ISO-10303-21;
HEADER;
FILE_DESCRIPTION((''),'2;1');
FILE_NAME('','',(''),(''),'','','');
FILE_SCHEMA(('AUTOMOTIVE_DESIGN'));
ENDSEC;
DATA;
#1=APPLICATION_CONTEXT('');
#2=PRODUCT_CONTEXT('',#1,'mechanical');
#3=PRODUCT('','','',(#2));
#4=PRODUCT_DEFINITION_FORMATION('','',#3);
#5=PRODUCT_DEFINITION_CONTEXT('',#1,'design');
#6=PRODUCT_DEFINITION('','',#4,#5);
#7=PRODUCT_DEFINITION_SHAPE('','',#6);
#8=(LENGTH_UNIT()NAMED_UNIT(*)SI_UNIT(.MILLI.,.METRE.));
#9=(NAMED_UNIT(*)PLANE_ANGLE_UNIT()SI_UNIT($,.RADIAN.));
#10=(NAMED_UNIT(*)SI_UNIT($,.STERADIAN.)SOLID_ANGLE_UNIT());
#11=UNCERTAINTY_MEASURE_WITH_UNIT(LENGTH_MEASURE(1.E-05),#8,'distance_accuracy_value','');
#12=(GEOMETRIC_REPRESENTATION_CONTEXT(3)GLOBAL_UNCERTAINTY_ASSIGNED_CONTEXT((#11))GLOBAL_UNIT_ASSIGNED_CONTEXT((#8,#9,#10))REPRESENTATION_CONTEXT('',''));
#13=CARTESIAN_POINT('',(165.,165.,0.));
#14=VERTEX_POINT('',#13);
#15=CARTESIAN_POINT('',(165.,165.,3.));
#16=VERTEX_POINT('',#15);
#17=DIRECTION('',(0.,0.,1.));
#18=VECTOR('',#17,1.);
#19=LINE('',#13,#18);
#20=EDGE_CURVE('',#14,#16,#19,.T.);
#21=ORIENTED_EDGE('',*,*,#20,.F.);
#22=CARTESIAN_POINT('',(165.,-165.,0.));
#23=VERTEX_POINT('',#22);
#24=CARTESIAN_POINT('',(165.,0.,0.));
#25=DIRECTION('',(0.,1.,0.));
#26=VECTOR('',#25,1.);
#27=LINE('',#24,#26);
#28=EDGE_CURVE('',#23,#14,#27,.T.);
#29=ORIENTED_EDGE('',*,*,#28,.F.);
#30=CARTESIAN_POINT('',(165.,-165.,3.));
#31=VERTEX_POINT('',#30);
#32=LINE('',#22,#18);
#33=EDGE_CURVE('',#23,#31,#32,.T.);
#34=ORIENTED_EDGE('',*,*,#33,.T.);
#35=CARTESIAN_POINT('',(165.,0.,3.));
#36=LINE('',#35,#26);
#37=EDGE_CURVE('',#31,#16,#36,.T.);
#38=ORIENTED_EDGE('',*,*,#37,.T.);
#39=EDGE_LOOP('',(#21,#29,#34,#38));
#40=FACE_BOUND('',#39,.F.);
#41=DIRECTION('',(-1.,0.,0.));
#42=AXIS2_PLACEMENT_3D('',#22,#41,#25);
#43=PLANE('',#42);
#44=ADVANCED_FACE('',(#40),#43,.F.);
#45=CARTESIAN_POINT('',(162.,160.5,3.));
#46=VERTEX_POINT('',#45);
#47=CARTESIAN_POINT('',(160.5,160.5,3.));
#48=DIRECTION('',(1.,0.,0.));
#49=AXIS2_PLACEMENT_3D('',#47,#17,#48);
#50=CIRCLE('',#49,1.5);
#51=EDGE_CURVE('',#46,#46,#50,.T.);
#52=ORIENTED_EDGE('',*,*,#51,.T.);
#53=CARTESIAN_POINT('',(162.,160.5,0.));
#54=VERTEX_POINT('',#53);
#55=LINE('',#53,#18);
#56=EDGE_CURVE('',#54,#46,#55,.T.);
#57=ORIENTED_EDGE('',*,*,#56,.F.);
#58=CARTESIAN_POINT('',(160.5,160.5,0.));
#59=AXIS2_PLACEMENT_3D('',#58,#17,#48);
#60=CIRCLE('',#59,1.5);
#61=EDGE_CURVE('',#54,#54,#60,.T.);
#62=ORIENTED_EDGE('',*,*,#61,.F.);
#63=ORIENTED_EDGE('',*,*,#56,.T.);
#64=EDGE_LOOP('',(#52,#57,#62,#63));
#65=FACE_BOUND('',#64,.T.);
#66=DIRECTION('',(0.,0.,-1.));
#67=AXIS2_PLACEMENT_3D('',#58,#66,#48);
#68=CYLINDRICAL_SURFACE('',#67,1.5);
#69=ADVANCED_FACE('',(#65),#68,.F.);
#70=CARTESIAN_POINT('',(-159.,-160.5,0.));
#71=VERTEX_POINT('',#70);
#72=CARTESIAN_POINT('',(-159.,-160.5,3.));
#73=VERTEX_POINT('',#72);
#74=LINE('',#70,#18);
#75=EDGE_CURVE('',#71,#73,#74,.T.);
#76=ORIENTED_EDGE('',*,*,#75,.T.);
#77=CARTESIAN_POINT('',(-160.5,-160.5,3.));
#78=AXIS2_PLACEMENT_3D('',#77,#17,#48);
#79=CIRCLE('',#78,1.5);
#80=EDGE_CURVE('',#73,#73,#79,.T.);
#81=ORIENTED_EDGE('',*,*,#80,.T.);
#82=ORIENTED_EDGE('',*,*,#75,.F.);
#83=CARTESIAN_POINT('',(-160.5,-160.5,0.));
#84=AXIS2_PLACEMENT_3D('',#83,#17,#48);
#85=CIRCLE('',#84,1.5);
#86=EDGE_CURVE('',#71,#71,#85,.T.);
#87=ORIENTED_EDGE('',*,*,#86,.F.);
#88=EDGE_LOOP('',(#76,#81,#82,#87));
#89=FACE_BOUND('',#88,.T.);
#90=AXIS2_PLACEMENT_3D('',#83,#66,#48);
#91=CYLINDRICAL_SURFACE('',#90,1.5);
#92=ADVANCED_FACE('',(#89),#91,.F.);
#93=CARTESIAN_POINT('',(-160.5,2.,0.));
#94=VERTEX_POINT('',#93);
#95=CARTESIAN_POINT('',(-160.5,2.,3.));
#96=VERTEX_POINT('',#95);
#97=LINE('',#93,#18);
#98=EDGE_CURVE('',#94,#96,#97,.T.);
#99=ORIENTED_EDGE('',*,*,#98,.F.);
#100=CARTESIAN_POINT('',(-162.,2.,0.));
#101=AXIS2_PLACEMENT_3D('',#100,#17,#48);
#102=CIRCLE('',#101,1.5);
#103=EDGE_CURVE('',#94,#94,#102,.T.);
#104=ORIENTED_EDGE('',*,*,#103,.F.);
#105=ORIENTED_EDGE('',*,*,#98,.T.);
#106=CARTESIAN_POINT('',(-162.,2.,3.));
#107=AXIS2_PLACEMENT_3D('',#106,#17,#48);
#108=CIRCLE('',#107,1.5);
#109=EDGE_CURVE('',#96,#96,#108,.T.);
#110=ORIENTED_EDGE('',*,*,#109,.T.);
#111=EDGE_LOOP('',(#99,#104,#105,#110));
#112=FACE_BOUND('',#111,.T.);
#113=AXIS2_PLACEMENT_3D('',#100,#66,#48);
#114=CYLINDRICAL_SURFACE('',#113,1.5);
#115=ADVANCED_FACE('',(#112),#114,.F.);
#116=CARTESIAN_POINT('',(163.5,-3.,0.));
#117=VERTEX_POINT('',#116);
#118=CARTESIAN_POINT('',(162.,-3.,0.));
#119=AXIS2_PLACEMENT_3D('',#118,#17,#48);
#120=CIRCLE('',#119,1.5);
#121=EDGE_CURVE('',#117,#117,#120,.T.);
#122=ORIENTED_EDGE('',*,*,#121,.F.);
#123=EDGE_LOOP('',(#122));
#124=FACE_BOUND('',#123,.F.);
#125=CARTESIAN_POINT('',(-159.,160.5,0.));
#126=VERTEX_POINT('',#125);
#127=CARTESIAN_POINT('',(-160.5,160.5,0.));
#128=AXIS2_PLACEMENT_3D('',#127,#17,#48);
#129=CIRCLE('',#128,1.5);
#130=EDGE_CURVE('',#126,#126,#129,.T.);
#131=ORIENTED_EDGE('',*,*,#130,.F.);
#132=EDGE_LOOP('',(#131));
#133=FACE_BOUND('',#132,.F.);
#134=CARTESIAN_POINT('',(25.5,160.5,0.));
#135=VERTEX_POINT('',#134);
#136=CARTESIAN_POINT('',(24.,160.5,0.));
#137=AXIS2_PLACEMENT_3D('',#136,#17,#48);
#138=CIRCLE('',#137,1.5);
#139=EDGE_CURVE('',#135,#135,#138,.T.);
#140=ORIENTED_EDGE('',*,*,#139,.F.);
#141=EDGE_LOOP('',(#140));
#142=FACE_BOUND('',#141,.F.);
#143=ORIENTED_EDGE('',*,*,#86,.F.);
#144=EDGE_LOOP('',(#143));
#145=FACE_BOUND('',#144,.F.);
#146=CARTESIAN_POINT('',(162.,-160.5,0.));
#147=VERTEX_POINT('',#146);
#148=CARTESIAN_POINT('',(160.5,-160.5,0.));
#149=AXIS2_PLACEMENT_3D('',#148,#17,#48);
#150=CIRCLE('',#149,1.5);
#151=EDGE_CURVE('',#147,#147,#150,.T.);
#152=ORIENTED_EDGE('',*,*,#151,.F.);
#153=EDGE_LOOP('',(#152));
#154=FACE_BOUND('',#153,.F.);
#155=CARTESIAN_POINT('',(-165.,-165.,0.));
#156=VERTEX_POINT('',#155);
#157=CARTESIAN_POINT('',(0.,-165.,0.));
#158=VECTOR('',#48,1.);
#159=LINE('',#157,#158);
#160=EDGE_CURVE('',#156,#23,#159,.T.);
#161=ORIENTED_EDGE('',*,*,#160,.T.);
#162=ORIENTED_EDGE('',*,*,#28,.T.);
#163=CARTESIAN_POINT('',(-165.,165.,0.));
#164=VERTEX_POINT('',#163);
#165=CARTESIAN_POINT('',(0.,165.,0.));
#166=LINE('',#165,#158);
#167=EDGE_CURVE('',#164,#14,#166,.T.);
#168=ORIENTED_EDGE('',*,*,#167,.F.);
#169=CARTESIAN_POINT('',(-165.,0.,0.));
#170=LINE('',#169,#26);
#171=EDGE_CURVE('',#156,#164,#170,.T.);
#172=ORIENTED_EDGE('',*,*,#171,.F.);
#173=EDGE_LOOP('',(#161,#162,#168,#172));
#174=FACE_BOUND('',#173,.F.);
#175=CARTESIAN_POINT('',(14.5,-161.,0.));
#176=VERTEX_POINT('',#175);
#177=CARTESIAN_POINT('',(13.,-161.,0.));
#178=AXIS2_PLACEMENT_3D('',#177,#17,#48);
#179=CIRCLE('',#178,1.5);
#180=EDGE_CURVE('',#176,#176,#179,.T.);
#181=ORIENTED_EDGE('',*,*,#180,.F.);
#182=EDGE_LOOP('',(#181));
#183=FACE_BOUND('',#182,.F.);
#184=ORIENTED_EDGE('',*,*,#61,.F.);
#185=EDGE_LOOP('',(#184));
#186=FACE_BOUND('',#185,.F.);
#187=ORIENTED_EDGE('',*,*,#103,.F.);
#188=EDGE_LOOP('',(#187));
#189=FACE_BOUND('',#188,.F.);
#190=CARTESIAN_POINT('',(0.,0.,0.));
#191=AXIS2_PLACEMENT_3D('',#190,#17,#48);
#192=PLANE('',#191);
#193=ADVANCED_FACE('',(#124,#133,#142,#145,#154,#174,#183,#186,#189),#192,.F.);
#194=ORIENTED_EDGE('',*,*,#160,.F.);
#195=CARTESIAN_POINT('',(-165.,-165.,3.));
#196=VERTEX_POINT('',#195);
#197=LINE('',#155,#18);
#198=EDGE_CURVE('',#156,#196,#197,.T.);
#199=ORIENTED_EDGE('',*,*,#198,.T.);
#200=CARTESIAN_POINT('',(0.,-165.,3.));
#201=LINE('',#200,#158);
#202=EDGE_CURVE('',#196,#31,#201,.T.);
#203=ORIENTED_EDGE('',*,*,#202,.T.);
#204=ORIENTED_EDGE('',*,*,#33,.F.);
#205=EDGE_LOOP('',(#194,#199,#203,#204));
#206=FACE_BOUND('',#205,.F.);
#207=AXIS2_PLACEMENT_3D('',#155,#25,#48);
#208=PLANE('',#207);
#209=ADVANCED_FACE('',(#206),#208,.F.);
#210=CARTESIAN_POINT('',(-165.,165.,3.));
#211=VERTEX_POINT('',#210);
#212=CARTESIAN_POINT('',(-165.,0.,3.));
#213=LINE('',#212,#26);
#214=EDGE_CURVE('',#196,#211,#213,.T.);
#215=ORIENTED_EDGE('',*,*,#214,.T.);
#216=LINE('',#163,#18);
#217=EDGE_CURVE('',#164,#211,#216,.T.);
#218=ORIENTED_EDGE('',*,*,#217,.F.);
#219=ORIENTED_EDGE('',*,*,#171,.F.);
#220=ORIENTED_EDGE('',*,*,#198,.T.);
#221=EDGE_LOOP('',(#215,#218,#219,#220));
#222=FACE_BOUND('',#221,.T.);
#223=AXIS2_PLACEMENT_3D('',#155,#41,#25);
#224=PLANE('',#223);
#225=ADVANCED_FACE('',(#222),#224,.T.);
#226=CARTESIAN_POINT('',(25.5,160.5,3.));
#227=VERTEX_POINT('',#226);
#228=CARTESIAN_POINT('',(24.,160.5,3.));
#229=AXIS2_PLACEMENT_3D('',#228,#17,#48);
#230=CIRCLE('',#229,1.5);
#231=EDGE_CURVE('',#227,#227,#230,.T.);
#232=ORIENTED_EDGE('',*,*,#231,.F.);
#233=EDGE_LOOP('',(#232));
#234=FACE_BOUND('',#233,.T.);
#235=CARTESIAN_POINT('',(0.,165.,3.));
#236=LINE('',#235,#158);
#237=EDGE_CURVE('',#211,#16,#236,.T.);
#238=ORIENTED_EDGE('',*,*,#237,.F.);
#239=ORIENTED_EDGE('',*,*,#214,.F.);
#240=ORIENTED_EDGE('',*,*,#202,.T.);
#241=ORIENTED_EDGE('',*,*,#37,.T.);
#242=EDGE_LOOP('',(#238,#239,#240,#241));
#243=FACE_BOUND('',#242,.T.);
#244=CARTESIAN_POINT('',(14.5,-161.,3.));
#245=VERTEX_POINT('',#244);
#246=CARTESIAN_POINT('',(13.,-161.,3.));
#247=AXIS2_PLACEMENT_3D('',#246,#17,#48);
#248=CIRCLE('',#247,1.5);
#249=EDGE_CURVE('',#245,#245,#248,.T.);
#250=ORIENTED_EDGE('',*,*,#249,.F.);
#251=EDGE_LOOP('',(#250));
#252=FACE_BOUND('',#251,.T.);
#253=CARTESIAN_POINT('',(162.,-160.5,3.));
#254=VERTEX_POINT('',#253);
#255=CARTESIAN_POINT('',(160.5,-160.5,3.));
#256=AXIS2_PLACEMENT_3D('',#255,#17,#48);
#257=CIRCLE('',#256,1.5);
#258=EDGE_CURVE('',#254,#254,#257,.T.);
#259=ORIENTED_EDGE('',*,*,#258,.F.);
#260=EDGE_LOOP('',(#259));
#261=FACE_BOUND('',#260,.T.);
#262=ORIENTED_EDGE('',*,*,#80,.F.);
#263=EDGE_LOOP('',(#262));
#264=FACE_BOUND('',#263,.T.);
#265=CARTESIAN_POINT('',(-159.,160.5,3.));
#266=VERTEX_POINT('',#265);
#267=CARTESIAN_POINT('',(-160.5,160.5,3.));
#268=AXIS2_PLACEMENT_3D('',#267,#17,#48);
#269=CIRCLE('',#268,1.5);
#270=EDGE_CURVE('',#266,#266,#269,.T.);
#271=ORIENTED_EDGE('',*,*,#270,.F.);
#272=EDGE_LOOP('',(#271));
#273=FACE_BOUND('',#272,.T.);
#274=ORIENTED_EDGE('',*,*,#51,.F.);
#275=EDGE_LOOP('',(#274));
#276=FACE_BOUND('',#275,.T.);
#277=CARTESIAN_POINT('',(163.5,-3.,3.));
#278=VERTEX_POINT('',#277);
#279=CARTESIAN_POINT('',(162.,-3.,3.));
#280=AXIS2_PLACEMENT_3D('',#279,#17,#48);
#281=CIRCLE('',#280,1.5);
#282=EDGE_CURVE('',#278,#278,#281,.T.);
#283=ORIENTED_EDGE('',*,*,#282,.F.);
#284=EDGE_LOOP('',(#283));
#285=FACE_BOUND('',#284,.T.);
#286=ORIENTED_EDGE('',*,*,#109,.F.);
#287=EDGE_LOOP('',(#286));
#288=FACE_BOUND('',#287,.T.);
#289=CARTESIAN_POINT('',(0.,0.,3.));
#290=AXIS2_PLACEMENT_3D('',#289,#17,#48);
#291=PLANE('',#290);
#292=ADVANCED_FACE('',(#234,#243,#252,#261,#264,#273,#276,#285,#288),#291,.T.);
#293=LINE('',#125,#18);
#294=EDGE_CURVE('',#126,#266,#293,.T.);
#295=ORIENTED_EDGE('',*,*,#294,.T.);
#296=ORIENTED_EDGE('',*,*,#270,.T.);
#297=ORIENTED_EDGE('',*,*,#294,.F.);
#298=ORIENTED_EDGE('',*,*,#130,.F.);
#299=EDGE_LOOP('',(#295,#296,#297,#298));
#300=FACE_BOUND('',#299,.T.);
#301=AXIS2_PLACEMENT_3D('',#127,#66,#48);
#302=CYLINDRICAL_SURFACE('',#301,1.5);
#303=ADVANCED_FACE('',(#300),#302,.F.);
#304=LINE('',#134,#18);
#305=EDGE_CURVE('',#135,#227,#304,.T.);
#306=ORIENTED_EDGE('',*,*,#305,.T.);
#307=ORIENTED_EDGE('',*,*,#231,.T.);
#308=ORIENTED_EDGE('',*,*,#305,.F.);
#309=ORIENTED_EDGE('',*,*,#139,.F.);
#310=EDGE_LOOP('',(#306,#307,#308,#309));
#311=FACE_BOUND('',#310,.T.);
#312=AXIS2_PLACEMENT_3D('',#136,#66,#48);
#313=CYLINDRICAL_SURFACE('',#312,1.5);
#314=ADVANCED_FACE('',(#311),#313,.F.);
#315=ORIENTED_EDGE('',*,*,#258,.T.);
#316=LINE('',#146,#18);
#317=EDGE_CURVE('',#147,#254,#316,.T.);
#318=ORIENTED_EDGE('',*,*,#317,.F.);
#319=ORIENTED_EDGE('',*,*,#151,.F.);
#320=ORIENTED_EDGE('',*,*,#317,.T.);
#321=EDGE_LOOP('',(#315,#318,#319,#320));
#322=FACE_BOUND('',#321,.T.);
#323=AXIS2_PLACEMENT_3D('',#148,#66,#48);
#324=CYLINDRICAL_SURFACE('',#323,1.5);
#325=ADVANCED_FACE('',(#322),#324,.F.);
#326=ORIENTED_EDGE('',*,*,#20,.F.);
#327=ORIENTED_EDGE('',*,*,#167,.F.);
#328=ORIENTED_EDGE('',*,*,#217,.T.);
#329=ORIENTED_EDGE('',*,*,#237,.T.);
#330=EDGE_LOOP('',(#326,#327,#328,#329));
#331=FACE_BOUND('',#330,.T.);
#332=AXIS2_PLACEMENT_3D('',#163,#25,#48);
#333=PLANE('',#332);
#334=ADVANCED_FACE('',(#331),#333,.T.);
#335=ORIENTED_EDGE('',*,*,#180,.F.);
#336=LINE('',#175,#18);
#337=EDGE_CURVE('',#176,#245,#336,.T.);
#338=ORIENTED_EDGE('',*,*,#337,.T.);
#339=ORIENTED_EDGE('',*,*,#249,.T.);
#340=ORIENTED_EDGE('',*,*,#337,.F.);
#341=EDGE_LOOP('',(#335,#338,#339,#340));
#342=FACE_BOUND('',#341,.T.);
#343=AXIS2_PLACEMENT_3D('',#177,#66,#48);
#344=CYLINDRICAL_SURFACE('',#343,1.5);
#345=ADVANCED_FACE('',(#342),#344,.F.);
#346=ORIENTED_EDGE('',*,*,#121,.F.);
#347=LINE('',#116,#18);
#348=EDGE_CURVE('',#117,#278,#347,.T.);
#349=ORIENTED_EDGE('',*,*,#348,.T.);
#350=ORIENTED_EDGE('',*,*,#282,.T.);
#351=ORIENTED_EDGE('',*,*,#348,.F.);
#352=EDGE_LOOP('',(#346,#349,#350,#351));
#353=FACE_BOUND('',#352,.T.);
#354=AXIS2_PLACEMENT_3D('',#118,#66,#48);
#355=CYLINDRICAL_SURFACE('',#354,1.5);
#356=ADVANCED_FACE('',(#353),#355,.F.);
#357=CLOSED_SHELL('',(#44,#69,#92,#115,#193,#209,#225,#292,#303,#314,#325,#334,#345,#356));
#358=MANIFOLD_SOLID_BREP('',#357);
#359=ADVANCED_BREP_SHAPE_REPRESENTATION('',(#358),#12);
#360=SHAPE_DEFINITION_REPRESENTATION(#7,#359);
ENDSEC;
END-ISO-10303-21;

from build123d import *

# Parameters (mm, degrees)
F0_W     = 330
F0_H     = 330
F0_R     = 1.5
F1_DEPTH = 3


with BuildPart() as f1:
    # F0 (on Top) → F1 (new body)
    with BuildSketch(Plane.XY):
        Rectangle(F0_W, F0_H)
        with Locations((-160.5, -160.5)):
            Circle(F0_R, mode=Mode.SUBTRACT)
        with Locations((13, -161)):
            Circle(F0_R, mode=Mode.SUBTRACT)
        with Locations((160.5, -160.5)):
            Circle(F0_R, mode=Mode.SUBTRACT)
        with Locations((162, -3)):
            Circle(F0_R, mode=Mode.SUBTRACT)
        with Locations((-162, 2)):
            Circle(F0_R, mode=Mode.SUBTRACT)
        with Locations((-160.5, 160.5)):
            Circle(F0_R, mode=Mode.SUBTRACT)
        with Locations((24, 160.5)):
            Circle(F0_R, mode=Mode.SUBTRACT)
        with Locations((160.5, 160.5)):
            Circle(F0_R, mode=Mode.SUBTRACT)
    extrude(amount=F1_DEPTH)


solid = f1.part
